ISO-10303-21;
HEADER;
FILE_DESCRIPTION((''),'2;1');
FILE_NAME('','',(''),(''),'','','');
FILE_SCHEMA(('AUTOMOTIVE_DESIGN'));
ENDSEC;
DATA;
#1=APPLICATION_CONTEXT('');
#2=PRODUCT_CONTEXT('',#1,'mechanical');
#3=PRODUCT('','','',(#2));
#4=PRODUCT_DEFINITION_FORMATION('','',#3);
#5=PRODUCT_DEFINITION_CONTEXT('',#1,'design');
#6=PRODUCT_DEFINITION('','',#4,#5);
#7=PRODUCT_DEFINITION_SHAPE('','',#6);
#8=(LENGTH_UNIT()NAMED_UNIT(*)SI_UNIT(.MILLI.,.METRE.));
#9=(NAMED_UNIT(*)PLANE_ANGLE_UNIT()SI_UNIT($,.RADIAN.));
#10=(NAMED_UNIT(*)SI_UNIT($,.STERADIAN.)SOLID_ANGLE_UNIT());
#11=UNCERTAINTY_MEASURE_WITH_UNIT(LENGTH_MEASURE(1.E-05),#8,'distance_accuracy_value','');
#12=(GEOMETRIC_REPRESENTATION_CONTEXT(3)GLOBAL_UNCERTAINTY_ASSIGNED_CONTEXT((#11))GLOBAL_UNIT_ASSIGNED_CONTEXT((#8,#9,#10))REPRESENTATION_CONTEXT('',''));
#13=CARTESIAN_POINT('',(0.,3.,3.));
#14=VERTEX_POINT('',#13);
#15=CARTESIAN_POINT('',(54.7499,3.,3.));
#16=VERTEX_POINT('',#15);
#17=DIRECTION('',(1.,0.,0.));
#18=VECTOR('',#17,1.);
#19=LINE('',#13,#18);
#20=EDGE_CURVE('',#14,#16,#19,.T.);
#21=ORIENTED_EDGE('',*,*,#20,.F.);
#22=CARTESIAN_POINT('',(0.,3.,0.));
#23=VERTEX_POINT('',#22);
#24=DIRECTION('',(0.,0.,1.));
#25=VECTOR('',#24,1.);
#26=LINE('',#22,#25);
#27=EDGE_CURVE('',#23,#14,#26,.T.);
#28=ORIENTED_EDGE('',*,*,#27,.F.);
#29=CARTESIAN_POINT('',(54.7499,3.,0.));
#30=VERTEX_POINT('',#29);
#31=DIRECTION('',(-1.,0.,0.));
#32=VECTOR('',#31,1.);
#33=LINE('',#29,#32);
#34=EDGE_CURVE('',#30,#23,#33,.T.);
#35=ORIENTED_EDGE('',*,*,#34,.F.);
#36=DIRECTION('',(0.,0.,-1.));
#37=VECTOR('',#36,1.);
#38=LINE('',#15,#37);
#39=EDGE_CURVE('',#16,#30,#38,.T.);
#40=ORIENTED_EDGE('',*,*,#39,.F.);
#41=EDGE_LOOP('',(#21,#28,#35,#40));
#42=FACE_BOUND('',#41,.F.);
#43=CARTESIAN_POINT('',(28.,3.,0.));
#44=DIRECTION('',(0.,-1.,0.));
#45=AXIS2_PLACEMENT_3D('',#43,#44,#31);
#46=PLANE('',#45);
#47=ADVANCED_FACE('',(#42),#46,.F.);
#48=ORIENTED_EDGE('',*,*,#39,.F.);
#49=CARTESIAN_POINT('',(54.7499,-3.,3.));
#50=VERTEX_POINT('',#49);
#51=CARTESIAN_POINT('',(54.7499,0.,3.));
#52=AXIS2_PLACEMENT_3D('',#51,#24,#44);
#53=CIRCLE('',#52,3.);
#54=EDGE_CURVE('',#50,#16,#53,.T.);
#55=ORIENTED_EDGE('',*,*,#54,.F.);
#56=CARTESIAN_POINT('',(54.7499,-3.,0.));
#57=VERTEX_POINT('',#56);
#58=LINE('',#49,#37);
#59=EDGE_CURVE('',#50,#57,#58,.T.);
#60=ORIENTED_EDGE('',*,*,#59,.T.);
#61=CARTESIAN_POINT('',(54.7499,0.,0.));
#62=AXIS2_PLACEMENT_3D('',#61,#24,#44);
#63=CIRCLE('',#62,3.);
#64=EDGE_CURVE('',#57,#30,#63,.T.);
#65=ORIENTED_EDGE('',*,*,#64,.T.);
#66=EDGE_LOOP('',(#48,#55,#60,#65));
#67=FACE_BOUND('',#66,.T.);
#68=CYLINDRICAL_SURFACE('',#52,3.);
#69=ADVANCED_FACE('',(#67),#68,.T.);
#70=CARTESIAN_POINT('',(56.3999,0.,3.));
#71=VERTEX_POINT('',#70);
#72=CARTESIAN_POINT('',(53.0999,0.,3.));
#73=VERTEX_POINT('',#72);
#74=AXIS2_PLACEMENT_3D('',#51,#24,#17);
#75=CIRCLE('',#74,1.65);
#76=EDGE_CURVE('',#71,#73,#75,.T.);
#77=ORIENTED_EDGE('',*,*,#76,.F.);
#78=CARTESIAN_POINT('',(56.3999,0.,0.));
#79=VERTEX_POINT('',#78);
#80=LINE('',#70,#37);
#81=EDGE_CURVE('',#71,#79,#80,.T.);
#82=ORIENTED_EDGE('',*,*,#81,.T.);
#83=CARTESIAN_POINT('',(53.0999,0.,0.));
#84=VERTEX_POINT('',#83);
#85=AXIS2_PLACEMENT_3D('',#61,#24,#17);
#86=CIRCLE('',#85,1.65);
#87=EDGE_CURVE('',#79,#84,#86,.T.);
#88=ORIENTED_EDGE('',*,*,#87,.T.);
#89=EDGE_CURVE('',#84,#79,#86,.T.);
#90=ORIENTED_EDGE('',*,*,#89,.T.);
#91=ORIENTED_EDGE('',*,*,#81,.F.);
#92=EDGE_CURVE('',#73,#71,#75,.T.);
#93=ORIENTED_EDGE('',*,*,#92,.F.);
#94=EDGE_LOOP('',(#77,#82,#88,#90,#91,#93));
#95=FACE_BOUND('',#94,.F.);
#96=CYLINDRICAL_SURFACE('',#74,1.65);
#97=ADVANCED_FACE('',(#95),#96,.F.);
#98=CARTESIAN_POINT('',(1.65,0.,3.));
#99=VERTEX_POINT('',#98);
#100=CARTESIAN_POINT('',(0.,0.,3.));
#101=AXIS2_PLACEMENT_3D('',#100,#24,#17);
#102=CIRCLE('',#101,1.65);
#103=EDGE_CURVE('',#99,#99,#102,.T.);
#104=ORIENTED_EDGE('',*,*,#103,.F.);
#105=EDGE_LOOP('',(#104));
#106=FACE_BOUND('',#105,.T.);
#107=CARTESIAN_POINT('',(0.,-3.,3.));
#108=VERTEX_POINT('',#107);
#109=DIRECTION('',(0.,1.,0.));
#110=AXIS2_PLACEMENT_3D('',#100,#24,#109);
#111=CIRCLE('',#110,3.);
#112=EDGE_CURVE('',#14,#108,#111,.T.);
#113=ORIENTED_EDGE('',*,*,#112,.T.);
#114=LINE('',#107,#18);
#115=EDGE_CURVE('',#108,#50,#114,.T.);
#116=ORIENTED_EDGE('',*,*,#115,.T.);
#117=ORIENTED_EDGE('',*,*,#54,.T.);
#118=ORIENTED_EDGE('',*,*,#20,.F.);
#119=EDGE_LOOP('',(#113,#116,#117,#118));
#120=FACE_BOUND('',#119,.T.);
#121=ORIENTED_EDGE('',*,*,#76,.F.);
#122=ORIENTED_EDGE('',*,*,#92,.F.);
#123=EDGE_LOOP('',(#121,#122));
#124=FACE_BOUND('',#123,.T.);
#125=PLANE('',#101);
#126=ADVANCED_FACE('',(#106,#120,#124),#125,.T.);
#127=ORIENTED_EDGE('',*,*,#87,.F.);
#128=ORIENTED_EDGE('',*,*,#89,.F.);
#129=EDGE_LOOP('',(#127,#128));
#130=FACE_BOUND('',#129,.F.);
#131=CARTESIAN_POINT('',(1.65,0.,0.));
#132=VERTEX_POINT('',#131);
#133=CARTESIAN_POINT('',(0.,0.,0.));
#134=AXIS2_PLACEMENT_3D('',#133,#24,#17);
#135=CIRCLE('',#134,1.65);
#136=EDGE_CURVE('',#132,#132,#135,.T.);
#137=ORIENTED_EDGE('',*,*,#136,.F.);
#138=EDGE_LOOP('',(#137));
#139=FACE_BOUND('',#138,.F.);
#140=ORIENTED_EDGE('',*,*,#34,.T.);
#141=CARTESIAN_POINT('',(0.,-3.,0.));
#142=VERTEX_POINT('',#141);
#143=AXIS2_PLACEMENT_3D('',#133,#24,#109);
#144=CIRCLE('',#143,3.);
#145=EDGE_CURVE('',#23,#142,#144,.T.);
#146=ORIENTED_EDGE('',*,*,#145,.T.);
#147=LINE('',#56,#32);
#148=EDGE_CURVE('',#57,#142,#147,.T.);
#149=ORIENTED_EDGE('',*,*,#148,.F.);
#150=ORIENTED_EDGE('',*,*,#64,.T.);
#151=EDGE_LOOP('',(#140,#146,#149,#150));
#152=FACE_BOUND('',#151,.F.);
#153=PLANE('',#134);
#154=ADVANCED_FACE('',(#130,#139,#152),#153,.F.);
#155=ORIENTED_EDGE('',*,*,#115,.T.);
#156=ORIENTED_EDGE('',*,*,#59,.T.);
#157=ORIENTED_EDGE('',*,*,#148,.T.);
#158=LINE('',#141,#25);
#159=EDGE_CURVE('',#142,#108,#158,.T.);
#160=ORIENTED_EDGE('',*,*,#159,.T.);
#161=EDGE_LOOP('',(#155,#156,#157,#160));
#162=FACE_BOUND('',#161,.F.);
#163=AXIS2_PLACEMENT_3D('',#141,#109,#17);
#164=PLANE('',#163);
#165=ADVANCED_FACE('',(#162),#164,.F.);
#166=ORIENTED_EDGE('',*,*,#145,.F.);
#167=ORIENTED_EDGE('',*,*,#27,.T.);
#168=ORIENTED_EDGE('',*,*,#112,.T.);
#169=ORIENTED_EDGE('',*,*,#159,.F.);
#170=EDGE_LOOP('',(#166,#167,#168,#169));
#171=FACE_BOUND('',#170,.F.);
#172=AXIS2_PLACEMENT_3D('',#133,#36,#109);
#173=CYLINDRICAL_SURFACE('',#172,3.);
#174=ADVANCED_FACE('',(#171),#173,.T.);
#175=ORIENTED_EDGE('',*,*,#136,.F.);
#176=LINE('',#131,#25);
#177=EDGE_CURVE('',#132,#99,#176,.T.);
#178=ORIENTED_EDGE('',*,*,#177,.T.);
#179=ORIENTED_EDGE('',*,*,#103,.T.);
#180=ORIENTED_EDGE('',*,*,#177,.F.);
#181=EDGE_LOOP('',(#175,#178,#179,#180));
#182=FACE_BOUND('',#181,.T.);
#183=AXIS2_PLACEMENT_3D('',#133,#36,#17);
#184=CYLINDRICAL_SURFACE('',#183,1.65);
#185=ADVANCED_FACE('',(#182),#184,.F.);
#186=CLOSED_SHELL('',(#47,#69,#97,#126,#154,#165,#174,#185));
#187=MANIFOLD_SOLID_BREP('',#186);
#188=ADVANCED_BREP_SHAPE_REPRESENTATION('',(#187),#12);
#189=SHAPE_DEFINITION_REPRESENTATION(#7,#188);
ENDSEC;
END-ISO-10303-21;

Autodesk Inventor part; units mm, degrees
ref_plane "YZ Plane" through (0, 0, 0) normal (1, 0, 0) x (0, 1, 0)
ref_plane "XZ Plane" through (0, 0, 0) normal (0, 1, 0) x (-1, 0, 0)
ref_plane "XY Plane" through (0, 0, 0) normal (0, 0, 1) x (1, 0, 0)
sketch "Sketch1" plane through (0, 0, 0) normal (0, 0, 1) x (1, 0, 0)
  line L0 (0, 0) -> (24, 0)
  circle A0 centre (0, 0) radius 1.6
  line L1 (0, 0) -> (24, 0) construction
  line L2 (0, -3) -> (24, -3)
  line L3 (24, 3) -> (0, 3)
  arc A1 (0, 3) -> (0, -3) centre (0, 0) ccw
  line L4 (24, 0) -> (28, 0)
  circle A2 centre (27, 0) radius 1.6
  line L5 (27, 0) -> (0, 0) construction
  line L6 (27, 3) -> (0, 3)
  line L7 (0, -3) -> (27, -3)
  arc A3 (27, -3) -> (27, 3) centre (27, 0) ccw
  arc A4 (0, 3) -> (0, -3) centre (0, 0) ccw
  point P0 (12, 0)
  point P1 (13.5, 0)
  dimension "d0" = 24
  dimension "d1" = 3.2
  dimension "d6" = 4
  dimension "d7" = 3.2
  dimension "d8" = 6
extrude "Extrusion1" [suppressed]
sketch "Sketch2" plane through (0, 0, 0) normal (0, 0, 1) x (1, 0, 0)
  line L0 (0, 0) -> (28, 0)
  circle A0 centre (0, 0) radius 1.65
  circle A1 centre (28, 0) radius 1.65
  line L1 (0, 0) -> (28, 0) construction
  line L2 (0, -3) -> (28, -3)
  line L3 (28, 3) -> (0, 3)
  arc A2 (0, 3) -> (0, -3) centre (0, 0) ccw
  arc A3 (28, -3) -> (28, 3) centre (28, 0) ccw
  point P0 (14, 0)
  dimension "d9" = 28
  dimension "d10" = 3.3
  dimension "d11" = 3.3
  dimension "d12" = 6
extrude "Extrusion2" add sketch "Sketch2" along normal blind 3
sketch "Sketch3" plane through (0, 0, 3) normal (0, 0, 1) x (1, 0, 0)
  circle A0 centre (28, 0) radius 1.65 projected
  line L0 (28, 0) -> (43, 0)
  line L1 (28, 0) -> (43, 0) construction
  line L2 (28, -3) -> (43, -3)
  line L3 (43, 3) -> (28, 3)
  arc A1 (28, 3) -> (28, -3) centre (28, 0) ccw
  arc A2 (43, -3) -> (43, 3) centre (43, 0) ccw
  circle A3 centre (43, 0) radius 1.65
  point P0 (0, 0)
  point P1 (35.5, 0)
  dimension "d15" = 15
  dimension "d16" = 6
extrude "Extrusion3" add sketch "Sketch3" against normal blind 3 contours A0 | A1 L3 A2 L2
sketch "Sketch4" plane through (0, 0, 3) normal (0, 0, 1) x (1, 0, 0)
  line L0 (38.0198, 0) -> (46.7499, 0)
  circle A0 centre (46.7499, 0) radius 1.65
  line L1 (0, 0) -> (46.7499, 0) construction
  line L2 (0, -3) -> (46.7499, -3)
  line L3 (46.7499, 3) -> (0, 3)
  arc A1 (0, 3) -> (0, -3) centre (0, 0) ccw
  arc A2 (46.7499, -3) -> (46.7499, 3) centre (46.7499, 0) ccw
  line L4 (39.9731, -3) -> (39.9731, 3)
  point P0 (23.375, 0)
  dimension "d19" = 3.3
  dimension "d20" = 6
extrude "Extrusion4" add sketch "Sketch4" against normal blind 3 contours L4 L3 A2 L2
extrude "Extrusion5" cut sketch "Sketch4" against normal blind 3 contours A0
sketch "Sketch5" plane through (0, 0, 3) normal (0, 0, 1) x (1, 0, 0)
  arc A0 (46.7499, -3) -> (46.7499, 3) centre (46.7499, 0) ccw projected
  line L0 (46.7499, 0) -> (54.7499, 0)
  circle A1 centre (54.7499, 0) radius 1.65
  line L1 (33.9937, 0) -> (54.7499, 0) construction
  line L2 (33.9937, 3) -> (54.7499, 3)
  line L3 (54.7499, -3) -> (33.9937, -3)
  arc A2 (33.9937, 3) -> (33.9937, -3) centre (33.9937, 0) ccw
  arc A3 (54.7499, -3) -> (54.7499, 3) centre (54.7499, 0) ccw
  point P0 (0, 0)
  point P1 (44.3718, 0)
  dimension "d25" = 8
  dimension "d26" = 3.3
extrude "Extrusion6" add sketch "Sketch5" against normal blind 3
properties part number "connector"
